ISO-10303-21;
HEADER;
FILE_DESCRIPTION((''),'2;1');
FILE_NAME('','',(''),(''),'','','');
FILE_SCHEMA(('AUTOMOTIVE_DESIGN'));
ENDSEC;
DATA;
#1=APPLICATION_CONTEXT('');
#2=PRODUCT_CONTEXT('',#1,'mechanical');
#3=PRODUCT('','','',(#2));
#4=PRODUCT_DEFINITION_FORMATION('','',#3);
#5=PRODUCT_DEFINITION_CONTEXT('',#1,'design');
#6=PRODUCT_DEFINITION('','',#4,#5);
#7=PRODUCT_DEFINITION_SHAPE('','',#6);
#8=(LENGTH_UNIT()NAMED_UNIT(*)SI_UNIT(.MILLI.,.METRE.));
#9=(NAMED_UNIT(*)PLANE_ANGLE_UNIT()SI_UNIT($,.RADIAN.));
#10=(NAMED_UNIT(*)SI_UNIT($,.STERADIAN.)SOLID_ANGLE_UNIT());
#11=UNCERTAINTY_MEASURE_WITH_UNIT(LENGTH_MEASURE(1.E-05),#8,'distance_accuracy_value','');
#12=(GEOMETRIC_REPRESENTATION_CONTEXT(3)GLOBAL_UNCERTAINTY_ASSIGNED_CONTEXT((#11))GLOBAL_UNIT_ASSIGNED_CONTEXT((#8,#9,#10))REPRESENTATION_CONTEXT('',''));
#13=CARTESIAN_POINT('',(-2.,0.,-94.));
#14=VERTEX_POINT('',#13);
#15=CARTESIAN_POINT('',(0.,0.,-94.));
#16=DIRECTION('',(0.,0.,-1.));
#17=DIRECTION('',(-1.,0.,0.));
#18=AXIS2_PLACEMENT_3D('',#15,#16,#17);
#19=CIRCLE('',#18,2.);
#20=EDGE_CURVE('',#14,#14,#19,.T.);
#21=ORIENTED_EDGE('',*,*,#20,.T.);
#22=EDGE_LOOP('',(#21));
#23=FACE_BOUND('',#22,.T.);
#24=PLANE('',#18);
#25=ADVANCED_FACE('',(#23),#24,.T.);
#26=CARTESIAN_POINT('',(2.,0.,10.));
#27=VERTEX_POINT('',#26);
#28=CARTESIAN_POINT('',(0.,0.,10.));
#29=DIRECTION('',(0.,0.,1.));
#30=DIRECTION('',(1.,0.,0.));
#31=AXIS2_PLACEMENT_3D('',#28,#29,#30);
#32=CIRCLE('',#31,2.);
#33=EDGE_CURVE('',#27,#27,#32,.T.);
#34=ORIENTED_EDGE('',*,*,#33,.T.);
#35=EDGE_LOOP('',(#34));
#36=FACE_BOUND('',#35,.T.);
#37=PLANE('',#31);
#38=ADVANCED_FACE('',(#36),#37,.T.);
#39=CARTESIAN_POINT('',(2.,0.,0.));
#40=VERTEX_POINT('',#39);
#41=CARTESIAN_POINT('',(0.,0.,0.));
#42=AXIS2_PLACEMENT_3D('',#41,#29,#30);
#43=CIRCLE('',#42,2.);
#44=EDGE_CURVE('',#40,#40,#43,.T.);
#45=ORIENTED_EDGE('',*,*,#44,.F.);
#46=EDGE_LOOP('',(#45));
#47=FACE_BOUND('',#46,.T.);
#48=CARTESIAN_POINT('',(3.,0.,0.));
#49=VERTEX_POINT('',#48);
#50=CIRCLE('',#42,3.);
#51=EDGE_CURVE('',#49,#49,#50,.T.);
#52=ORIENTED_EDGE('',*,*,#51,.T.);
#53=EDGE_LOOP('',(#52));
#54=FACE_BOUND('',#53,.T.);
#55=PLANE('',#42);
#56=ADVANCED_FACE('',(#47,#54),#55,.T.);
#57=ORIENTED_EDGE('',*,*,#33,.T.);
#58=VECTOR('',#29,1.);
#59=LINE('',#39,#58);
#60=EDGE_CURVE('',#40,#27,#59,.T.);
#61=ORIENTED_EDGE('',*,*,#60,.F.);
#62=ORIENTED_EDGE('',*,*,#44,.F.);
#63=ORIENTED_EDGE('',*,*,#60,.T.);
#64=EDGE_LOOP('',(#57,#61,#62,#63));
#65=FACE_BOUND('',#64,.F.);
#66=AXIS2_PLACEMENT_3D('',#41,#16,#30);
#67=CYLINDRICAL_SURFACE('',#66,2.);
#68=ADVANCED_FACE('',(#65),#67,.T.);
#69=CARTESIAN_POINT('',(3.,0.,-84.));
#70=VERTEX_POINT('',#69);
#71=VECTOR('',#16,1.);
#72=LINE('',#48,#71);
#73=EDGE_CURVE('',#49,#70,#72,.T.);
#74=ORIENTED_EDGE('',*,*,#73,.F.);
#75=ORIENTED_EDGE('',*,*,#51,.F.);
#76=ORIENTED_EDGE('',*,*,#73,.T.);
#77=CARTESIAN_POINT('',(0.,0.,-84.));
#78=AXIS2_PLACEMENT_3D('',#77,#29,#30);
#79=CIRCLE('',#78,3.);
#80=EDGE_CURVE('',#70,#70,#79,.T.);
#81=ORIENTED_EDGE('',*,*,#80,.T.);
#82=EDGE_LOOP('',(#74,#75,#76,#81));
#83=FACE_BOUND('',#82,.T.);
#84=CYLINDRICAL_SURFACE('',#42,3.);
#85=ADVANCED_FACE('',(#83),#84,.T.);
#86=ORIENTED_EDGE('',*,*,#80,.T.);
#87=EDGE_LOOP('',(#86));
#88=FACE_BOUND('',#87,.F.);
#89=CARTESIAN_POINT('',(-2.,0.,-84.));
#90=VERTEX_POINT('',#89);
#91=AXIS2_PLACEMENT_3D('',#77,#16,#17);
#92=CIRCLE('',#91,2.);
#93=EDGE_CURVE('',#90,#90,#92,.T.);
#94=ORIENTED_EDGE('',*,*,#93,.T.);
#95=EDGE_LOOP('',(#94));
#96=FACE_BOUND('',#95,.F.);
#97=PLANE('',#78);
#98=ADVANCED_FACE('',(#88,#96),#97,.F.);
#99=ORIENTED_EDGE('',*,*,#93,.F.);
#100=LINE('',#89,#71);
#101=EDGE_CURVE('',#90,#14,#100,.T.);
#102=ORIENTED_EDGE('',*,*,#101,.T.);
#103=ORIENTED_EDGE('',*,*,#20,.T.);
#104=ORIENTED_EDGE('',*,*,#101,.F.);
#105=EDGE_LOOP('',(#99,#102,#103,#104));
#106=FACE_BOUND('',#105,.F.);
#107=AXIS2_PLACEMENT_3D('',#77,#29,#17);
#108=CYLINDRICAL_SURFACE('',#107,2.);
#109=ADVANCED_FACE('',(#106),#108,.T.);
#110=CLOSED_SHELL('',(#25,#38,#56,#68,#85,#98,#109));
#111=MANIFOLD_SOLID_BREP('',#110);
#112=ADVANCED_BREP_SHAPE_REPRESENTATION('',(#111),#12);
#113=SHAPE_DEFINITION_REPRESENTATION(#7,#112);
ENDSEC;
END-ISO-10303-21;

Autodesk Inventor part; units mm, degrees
ref_plane "YZ Plane" through (0, 0, 0) normal (1, 0, 0) x (0, 1, 0)
ref_plane "XZ Plane" through (0, 0, 0) normal (0, 1, 0) x (-1, 0, 0)
ref_plane "XY Plane" through (0, 0, 0) normal (0, 0, 1) x (1, 0, 0)
sketch "Sketch1" plane through (0, 0, 0) normal (0, 0, 1) x (1, 0, 0)
  circle A0 centre (0, 0) radius 3
  dimension "d0" = 6
extrude "Extrusion1" add sketch "Sketch1" against normal blind 84
sketch "Sketch2" plane through (0, 0, 0) normal (0, 0, 1) x (1, 0, 0)
  circle A0 centre (0, 0) radius 2
  circle A1 centre (0, 0) radius 3 projected
  dimension "d3" = 4
extrude "Extrusion2" add sketch "Sketch2" along normal blind 10 contours A0
sketch "Sketch3" plane through (0, 0, -84) normal (0, 0, -1) x (-1, 0, 0)
  circle A0 centre (0, 0) radius 2
  circle A1 centre (0, 0) radius 3 projected
  dimension "d6" = 4
extrude "Extrusion3" add sketch "Sketch3" along normal blind 10 contours A0
properties part number "Eje.Proyecto 08" material "Steel"
